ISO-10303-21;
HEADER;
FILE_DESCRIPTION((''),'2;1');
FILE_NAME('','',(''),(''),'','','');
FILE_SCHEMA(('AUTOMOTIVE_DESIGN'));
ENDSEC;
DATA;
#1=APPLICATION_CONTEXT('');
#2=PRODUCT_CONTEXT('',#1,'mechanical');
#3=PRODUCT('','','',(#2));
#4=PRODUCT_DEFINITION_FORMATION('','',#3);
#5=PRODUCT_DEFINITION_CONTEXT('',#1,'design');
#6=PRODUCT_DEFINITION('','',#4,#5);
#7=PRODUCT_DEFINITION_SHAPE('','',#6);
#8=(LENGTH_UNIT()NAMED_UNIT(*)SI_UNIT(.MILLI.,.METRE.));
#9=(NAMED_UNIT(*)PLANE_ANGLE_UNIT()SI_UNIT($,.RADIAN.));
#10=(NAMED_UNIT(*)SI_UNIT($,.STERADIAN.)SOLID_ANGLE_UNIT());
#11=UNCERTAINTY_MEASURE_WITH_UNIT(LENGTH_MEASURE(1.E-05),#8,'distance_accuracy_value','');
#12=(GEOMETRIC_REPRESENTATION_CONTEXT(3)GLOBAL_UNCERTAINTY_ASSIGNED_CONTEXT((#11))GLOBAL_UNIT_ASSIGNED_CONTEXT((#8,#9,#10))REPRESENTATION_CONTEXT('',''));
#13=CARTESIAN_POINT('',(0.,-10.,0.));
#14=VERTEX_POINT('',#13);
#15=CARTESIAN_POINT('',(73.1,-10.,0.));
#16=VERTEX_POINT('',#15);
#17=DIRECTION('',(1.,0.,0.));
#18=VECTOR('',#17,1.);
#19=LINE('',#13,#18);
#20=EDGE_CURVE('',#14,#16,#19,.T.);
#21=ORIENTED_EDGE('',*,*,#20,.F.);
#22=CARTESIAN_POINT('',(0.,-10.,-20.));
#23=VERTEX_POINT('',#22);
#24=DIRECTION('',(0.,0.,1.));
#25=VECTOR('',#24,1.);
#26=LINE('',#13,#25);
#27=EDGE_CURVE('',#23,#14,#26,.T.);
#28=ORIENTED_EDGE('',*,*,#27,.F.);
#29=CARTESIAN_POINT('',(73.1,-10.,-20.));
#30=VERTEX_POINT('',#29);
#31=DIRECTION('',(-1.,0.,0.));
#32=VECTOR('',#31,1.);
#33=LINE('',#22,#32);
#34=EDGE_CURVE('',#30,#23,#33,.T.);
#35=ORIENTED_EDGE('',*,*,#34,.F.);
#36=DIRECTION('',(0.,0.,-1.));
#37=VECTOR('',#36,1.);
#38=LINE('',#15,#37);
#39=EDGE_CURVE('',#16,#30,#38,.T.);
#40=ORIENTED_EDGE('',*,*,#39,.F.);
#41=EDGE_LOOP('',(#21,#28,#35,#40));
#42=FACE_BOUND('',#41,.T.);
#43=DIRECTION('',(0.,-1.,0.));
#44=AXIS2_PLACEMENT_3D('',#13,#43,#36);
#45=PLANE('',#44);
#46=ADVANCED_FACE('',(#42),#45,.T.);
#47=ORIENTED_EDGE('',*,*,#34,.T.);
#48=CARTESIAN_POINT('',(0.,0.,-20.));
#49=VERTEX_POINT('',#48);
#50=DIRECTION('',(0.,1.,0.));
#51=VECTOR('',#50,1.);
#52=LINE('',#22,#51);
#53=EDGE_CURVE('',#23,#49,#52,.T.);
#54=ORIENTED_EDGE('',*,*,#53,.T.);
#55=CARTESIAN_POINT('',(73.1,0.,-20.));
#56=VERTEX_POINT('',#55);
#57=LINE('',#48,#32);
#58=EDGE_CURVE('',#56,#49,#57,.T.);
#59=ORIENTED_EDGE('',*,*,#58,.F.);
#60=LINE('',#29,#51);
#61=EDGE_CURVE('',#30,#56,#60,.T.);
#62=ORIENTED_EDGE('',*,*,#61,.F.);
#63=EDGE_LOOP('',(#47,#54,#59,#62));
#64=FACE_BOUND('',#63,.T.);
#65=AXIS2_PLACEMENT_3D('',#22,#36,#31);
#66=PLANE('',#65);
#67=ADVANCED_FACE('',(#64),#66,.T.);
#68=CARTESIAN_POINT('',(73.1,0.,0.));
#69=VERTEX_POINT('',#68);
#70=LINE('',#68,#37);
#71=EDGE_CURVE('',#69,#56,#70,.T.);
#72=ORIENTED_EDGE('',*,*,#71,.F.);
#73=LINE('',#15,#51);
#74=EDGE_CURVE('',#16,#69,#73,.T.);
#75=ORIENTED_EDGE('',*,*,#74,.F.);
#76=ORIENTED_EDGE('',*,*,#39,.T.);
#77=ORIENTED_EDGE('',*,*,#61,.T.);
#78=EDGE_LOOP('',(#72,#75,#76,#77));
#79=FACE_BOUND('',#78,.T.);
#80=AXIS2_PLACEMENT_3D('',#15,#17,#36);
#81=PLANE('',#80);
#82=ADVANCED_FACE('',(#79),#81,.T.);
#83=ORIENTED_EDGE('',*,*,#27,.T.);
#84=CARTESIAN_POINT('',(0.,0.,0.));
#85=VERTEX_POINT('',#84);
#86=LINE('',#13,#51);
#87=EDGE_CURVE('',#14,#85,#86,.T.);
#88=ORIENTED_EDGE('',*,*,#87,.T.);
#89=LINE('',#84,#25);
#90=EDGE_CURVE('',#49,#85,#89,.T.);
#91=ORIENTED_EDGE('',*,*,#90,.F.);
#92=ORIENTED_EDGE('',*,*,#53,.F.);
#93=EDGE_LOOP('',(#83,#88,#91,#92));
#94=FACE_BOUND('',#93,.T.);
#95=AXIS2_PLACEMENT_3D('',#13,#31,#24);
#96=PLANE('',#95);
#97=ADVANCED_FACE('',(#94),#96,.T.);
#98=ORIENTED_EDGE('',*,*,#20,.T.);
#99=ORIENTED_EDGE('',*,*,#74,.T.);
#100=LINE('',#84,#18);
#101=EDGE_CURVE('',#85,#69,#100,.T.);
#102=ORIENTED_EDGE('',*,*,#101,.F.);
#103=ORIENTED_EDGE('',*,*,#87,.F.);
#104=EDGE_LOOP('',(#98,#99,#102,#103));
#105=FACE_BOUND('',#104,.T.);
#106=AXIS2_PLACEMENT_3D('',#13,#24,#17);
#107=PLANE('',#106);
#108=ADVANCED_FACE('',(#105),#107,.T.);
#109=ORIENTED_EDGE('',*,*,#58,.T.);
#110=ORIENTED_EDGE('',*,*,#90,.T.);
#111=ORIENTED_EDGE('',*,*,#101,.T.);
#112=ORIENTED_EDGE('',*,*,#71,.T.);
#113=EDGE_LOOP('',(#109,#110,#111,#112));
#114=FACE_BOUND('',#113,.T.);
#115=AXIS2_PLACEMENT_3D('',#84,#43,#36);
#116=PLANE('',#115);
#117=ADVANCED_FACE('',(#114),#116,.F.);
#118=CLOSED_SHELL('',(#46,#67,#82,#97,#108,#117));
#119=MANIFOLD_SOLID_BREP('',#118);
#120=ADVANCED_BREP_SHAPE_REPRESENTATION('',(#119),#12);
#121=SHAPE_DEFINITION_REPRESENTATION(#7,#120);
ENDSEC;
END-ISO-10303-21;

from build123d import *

# Parameters (mm, degrees)
SKETCH1_W           = 73.1
SKETCH1_H           = 20
BOSS_EXTRUDE1_DEPTH = 10


with BuildPart() as part:
    # Sketch1 → Boss-Extrude1 (new body)
    with BuildSketch(Plane(origin=(0, 0, 0), x_dir=(1, 0, 0), z_dir=(0, 1, 0))):
        with Locations((36.55, 10)):
            Rectangle(SKETCH1_W, SKETCH1_H)
    extrude(amount=-BOSS_EXTRUDE1_DEPTH)


solid = part.part
